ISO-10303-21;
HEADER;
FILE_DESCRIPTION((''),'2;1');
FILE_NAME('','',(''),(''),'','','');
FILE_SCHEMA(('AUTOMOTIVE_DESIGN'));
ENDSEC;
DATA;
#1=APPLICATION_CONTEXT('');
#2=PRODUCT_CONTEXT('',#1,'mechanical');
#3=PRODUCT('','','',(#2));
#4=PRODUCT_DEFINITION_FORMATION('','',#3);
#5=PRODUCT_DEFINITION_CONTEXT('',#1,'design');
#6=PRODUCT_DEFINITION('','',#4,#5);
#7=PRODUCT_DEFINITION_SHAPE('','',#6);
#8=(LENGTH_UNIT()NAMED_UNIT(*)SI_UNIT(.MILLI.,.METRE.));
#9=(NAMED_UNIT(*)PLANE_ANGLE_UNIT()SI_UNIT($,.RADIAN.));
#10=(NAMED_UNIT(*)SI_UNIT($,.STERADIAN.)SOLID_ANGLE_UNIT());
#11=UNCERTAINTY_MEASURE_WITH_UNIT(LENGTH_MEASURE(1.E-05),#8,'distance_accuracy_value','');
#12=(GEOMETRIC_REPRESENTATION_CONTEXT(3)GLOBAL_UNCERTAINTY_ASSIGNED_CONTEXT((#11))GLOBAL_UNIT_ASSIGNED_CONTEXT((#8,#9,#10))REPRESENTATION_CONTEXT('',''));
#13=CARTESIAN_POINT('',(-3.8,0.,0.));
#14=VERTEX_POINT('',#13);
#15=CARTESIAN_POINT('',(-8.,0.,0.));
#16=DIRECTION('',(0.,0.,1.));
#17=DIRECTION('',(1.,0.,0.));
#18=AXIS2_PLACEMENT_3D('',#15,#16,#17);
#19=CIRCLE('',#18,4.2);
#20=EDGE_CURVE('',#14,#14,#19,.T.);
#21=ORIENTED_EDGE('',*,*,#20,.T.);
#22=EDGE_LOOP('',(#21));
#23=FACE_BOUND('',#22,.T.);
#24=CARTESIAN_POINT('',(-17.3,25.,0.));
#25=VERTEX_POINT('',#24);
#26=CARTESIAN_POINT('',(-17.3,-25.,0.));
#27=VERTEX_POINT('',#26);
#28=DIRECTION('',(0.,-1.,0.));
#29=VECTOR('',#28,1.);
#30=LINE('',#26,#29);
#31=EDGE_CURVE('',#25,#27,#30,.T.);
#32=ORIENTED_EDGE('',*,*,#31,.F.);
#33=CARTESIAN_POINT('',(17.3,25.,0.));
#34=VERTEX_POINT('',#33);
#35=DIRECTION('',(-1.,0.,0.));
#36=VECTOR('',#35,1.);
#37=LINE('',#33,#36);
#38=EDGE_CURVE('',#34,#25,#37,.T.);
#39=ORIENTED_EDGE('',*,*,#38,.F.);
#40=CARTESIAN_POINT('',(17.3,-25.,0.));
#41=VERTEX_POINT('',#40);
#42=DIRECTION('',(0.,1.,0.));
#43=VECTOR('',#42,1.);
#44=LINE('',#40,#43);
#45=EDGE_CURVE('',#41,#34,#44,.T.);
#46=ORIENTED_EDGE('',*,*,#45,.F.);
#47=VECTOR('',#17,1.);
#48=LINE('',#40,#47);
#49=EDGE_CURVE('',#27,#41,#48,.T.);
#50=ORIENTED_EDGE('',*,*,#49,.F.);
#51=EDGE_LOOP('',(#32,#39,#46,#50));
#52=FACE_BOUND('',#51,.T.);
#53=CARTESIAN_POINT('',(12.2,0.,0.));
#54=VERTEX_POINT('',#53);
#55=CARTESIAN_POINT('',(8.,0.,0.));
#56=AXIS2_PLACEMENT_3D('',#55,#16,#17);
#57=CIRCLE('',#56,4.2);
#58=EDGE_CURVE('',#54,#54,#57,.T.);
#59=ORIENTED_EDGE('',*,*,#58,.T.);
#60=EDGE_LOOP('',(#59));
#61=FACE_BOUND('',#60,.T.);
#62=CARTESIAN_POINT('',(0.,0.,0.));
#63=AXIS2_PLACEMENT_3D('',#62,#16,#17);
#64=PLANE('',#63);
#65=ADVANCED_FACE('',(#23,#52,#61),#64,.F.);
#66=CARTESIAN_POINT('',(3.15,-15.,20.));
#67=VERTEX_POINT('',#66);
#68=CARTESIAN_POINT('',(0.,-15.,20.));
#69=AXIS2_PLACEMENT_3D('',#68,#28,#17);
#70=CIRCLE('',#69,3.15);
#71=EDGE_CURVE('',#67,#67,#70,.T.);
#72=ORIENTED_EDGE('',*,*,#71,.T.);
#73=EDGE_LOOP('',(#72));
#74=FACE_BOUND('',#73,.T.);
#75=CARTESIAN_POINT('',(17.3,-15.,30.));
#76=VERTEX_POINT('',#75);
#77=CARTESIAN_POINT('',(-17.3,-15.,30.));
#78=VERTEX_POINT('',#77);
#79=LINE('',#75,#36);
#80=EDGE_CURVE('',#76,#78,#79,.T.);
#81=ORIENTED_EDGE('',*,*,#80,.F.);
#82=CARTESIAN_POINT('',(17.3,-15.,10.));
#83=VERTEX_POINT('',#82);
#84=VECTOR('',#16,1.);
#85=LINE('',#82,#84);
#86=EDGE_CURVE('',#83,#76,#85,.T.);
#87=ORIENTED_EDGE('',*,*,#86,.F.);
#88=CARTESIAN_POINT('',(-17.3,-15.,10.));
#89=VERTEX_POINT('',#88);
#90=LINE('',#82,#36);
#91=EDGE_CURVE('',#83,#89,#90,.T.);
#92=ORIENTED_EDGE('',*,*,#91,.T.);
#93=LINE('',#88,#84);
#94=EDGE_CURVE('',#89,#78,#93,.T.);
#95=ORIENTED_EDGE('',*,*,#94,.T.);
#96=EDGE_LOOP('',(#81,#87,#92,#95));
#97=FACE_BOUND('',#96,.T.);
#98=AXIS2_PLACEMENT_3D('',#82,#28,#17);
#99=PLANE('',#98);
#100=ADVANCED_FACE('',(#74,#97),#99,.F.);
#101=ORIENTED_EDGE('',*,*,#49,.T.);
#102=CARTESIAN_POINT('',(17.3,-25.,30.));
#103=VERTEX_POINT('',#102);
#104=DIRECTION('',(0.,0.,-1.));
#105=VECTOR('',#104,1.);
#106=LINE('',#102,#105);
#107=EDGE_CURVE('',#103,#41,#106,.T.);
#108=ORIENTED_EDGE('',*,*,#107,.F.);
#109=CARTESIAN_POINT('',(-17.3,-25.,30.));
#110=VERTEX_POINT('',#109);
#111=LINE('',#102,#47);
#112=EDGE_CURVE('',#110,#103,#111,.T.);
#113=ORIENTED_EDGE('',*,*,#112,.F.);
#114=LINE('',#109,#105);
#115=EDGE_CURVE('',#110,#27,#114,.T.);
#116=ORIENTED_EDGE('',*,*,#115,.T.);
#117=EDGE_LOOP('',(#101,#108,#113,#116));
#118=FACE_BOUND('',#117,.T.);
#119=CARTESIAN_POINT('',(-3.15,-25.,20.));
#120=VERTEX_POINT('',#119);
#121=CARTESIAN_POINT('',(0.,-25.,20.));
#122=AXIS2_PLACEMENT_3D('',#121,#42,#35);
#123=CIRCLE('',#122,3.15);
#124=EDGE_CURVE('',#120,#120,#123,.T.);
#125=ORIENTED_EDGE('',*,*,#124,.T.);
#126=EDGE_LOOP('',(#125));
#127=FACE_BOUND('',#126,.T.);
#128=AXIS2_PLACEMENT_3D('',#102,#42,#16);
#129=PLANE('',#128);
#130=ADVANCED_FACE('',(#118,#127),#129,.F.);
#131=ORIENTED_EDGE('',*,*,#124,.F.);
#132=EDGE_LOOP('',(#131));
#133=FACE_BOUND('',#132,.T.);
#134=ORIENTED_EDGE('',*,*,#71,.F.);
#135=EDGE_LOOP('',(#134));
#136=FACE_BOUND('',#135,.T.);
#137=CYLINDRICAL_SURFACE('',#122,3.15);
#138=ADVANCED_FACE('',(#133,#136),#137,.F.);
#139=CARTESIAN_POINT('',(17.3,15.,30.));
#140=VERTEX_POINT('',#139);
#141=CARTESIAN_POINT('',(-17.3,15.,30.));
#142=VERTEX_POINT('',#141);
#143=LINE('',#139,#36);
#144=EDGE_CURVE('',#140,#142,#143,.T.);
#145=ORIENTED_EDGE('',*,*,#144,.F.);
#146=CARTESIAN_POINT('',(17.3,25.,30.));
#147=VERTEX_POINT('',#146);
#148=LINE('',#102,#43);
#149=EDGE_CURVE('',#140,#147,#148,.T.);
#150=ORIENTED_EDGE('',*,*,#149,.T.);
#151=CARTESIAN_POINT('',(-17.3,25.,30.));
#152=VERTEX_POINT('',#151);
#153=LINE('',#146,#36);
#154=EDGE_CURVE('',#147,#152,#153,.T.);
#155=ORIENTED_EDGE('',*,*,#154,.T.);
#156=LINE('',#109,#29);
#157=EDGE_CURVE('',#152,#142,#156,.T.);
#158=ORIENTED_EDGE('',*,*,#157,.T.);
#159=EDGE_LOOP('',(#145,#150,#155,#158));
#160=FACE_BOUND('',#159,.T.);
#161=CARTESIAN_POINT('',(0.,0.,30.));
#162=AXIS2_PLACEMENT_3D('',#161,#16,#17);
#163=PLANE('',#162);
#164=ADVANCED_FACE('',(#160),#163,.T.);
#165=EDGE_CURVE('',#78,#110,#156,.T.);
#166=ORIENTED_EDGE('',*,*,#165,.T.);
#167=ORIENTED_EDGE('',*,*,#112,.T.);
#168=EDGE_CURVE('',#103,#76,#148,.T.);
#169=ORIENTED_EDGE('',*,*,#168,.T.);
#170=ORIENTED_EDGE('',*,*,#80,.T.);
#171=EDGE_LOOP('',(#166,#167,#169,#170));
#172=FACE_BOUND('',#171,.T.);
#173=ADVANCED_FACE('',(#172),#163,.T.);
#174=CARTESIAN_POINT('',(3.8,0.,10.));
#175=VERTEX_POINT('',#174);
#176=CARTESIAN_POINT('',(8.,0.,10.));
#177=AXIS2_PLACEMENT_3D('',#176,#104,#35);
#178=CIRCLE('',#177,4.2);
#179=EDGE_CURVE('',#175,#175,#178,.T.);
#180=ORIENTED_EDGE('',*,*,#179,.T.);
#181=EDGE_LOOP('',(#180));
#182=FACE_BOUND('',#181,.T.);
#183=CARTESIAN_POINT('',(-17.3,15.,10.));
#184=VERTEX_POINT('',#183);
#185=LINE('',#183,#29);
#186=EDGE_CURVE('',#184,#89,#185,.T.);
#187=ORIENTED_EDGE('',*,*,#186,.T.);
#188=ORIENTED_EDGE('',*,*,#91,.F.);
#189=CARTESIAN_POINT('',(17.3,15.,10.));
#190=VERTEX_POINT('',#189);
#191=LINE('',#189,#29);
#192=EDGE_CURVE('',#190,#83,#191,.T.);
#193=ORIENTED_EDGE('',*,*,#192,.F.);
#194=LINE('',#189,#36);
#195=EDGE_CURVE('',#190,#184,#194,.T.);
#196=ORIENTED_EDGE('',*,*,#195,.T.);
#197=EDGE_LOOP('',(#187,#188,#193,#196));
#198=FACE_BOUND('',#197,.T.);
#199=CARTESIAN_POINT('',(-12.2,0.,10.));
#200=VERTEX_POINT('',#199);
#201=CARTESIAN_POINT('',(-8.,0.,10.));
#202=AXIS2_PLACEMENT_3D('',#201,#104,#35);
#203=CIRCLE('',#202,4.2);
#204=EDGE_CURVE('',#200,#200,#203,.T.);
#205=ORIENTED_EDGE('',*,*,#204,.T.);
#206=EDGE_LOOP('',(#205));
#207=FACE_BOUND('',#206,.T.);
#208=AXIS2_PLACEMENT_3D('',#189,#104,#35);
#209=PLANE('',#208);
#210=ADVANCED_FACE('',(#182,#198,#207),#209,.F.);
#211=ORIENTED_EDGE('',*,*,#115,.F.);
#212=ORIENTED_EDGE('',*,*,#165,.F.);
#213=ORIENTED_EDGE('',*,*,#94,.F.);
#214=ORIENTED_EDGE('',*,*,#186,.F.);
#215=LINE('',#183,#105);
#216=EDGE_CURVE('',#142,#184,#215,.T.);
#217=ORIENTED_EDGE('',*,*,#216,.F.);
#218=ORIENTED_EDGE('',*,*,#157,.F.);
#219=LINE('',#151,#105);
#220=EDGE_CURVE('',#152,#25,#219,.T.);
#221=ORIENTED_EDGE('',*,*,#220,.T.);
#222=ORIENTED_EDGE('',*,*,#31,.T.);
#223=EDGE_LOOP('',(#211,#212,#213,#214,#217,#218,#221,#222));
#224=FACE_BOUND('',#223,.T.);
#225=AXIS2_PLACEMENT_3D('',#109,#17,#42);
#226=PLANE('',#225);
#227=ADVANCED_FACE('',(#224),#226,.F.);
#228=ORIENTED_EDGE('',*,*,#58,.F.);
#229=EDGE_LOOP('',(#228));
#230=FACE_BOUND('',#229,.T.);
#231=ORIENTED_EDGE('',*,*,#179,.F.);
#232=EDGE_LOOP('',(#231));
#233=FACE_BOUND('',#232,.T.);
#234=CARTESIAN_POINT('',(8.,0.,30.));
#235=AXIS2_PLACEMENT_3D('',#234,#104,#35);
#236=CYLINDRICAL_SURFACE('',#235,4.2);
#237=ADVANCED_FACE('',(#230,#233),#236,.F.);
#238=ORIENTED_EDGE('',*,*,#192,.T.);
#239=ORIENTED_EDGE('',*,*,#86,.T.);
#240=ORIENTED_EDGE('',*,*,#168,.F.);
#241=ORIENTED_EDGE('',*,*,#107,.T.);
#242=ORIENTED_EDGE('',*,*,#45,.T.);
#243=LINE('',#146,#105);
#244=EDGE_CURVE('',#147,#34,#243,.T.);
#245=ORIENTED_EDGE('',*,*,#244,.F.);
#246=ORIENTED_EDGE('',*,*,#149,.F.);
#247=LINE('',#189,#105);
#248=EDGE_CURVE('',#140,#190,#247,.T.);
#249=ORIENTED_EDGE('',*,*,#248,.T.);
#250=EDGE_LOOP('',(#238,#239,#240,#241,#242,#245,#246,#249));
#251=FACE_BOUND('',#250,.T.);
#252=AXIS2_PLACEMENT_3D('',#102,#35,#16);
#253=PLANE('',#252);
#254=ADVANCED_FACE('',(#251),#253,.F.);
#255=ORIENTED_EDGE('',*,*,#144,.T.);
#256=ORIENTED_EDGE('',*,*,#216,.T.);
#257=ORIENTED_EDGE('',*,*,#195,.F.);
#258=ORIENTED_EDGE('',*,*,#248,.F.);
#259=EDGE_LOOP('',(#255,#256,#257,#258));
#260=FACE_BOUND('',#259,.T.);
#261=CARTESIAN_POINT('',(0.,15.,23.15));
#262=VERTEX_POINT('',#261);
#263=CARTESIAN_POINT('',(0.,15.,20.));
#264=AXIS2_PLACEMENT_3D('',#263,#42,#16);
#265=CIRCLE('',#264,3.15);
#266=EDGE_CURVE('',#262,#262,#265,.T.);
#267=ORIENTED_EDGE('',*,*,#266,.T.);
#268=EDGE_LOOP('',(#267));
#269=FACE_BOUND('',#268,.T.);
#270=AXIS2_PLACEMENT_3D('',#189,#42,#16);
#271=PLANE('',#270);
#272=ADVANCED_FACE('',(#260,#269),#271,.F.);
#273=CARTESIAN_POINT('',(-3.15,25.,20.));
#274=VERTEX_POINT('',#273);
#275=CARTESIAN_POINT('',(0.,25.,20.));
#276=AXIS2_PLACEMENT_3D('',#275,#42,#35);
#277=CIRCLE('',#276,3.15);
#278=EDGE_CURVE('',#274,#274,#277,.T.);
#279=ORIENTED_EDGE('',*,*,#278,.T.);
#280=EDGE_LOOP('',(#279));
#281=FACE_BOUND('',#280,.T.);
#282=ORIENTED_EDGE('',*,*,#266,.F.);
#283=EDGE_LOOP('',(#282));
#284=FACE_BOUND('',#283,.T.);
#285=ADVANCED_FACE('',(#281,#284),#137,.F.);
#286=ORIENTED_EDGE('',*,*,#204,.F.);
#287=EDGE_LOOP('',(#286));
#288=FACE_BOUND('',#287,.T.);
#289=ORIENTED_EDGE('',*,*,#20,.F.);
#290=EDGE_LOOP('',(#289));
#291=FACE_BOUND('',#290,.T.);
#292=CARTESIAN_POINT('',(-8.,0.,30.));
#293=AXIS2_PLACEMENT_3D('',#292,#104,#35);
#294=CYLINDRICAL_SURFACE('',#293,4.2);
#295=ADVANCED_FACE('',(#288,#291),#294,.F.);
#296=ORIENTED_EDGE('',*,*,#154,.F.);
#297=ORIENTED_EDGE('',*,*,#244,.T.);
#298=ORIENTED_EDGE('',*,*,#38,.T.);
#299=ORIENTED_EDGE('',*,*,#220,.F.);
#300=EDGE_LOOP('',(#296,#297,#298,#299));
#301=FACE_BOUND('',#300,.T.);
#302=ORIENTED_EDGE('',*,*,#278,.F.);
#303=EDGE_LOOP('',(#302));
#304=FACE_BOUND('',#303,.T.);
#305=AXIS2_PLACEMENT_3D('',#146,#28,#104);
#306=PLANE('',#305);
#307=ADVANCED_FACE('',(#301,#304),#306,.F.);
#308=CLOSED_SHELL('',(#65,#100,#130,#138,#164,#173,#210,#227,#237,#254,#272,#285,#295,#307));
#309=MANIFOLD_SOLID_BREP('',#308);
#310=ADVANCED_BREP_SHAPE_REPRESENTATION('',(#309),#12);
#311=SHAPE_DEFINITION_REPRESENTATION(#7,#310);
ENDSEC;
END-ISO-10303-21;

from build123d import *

# Parameters (mm, degrees)
SKETCH1_W           = 34.6
SKETCH1_H           = 50
SKETCH1_R           = 4.2
BOSS_EXTRUDE1_DEPTH = 30
SKETCH2_W           = 20
SKETCH2_H           = 30
CUT_EXTRUDE1_DEPTH  = 35.6
SKETCH3_R           = 3.15
CUT_EXTRUDE2_DEPTH  = 51


with BuildPart() as part:
    # Sketch1 → Boss-Extrude1 (new body)
    with BuildSketch(Plane.XY):
        Rectangle(SKETCH1_W, SKETCH1_H)
        with Locations((-8, 0)):
            Circle(SKETCH1_R, mode=Mode.SUBTRACT)
        with Locations((8, 0)):
            Circle(SKETCH1_R, mode=Mode.SUBTRACT)
    extrude(amount=BOSS_EXTRUDE1_DEPTH)

    # Sketch2 → Cut-Extrude1 (cut, through all)
    with BuildSketch(Plane.ZY.offset(17.3)):
        with Locations((20, 0)):
            Rectangle(SKETCH2_W, SKETCH2_H)
    extrude(amount=-CUT_EXTRUDE1_DEPTH, mode=Mode.SUBTRACT)

    # Sketch3 → Cut-Extrude2 (cut, through all)
    with BuildSketch(Plane(origin=(0, 25, 0), x_dir=(1, 0, 0), z_dir=(0, 1, 0))):
        with Locations((0, -20)):
            Circle(SKETCH3_R)
    extrude(amount=-CUT_EXTRUDE2_DEPTH, mode=Mode.SUBTRACT)


solid = part.part
